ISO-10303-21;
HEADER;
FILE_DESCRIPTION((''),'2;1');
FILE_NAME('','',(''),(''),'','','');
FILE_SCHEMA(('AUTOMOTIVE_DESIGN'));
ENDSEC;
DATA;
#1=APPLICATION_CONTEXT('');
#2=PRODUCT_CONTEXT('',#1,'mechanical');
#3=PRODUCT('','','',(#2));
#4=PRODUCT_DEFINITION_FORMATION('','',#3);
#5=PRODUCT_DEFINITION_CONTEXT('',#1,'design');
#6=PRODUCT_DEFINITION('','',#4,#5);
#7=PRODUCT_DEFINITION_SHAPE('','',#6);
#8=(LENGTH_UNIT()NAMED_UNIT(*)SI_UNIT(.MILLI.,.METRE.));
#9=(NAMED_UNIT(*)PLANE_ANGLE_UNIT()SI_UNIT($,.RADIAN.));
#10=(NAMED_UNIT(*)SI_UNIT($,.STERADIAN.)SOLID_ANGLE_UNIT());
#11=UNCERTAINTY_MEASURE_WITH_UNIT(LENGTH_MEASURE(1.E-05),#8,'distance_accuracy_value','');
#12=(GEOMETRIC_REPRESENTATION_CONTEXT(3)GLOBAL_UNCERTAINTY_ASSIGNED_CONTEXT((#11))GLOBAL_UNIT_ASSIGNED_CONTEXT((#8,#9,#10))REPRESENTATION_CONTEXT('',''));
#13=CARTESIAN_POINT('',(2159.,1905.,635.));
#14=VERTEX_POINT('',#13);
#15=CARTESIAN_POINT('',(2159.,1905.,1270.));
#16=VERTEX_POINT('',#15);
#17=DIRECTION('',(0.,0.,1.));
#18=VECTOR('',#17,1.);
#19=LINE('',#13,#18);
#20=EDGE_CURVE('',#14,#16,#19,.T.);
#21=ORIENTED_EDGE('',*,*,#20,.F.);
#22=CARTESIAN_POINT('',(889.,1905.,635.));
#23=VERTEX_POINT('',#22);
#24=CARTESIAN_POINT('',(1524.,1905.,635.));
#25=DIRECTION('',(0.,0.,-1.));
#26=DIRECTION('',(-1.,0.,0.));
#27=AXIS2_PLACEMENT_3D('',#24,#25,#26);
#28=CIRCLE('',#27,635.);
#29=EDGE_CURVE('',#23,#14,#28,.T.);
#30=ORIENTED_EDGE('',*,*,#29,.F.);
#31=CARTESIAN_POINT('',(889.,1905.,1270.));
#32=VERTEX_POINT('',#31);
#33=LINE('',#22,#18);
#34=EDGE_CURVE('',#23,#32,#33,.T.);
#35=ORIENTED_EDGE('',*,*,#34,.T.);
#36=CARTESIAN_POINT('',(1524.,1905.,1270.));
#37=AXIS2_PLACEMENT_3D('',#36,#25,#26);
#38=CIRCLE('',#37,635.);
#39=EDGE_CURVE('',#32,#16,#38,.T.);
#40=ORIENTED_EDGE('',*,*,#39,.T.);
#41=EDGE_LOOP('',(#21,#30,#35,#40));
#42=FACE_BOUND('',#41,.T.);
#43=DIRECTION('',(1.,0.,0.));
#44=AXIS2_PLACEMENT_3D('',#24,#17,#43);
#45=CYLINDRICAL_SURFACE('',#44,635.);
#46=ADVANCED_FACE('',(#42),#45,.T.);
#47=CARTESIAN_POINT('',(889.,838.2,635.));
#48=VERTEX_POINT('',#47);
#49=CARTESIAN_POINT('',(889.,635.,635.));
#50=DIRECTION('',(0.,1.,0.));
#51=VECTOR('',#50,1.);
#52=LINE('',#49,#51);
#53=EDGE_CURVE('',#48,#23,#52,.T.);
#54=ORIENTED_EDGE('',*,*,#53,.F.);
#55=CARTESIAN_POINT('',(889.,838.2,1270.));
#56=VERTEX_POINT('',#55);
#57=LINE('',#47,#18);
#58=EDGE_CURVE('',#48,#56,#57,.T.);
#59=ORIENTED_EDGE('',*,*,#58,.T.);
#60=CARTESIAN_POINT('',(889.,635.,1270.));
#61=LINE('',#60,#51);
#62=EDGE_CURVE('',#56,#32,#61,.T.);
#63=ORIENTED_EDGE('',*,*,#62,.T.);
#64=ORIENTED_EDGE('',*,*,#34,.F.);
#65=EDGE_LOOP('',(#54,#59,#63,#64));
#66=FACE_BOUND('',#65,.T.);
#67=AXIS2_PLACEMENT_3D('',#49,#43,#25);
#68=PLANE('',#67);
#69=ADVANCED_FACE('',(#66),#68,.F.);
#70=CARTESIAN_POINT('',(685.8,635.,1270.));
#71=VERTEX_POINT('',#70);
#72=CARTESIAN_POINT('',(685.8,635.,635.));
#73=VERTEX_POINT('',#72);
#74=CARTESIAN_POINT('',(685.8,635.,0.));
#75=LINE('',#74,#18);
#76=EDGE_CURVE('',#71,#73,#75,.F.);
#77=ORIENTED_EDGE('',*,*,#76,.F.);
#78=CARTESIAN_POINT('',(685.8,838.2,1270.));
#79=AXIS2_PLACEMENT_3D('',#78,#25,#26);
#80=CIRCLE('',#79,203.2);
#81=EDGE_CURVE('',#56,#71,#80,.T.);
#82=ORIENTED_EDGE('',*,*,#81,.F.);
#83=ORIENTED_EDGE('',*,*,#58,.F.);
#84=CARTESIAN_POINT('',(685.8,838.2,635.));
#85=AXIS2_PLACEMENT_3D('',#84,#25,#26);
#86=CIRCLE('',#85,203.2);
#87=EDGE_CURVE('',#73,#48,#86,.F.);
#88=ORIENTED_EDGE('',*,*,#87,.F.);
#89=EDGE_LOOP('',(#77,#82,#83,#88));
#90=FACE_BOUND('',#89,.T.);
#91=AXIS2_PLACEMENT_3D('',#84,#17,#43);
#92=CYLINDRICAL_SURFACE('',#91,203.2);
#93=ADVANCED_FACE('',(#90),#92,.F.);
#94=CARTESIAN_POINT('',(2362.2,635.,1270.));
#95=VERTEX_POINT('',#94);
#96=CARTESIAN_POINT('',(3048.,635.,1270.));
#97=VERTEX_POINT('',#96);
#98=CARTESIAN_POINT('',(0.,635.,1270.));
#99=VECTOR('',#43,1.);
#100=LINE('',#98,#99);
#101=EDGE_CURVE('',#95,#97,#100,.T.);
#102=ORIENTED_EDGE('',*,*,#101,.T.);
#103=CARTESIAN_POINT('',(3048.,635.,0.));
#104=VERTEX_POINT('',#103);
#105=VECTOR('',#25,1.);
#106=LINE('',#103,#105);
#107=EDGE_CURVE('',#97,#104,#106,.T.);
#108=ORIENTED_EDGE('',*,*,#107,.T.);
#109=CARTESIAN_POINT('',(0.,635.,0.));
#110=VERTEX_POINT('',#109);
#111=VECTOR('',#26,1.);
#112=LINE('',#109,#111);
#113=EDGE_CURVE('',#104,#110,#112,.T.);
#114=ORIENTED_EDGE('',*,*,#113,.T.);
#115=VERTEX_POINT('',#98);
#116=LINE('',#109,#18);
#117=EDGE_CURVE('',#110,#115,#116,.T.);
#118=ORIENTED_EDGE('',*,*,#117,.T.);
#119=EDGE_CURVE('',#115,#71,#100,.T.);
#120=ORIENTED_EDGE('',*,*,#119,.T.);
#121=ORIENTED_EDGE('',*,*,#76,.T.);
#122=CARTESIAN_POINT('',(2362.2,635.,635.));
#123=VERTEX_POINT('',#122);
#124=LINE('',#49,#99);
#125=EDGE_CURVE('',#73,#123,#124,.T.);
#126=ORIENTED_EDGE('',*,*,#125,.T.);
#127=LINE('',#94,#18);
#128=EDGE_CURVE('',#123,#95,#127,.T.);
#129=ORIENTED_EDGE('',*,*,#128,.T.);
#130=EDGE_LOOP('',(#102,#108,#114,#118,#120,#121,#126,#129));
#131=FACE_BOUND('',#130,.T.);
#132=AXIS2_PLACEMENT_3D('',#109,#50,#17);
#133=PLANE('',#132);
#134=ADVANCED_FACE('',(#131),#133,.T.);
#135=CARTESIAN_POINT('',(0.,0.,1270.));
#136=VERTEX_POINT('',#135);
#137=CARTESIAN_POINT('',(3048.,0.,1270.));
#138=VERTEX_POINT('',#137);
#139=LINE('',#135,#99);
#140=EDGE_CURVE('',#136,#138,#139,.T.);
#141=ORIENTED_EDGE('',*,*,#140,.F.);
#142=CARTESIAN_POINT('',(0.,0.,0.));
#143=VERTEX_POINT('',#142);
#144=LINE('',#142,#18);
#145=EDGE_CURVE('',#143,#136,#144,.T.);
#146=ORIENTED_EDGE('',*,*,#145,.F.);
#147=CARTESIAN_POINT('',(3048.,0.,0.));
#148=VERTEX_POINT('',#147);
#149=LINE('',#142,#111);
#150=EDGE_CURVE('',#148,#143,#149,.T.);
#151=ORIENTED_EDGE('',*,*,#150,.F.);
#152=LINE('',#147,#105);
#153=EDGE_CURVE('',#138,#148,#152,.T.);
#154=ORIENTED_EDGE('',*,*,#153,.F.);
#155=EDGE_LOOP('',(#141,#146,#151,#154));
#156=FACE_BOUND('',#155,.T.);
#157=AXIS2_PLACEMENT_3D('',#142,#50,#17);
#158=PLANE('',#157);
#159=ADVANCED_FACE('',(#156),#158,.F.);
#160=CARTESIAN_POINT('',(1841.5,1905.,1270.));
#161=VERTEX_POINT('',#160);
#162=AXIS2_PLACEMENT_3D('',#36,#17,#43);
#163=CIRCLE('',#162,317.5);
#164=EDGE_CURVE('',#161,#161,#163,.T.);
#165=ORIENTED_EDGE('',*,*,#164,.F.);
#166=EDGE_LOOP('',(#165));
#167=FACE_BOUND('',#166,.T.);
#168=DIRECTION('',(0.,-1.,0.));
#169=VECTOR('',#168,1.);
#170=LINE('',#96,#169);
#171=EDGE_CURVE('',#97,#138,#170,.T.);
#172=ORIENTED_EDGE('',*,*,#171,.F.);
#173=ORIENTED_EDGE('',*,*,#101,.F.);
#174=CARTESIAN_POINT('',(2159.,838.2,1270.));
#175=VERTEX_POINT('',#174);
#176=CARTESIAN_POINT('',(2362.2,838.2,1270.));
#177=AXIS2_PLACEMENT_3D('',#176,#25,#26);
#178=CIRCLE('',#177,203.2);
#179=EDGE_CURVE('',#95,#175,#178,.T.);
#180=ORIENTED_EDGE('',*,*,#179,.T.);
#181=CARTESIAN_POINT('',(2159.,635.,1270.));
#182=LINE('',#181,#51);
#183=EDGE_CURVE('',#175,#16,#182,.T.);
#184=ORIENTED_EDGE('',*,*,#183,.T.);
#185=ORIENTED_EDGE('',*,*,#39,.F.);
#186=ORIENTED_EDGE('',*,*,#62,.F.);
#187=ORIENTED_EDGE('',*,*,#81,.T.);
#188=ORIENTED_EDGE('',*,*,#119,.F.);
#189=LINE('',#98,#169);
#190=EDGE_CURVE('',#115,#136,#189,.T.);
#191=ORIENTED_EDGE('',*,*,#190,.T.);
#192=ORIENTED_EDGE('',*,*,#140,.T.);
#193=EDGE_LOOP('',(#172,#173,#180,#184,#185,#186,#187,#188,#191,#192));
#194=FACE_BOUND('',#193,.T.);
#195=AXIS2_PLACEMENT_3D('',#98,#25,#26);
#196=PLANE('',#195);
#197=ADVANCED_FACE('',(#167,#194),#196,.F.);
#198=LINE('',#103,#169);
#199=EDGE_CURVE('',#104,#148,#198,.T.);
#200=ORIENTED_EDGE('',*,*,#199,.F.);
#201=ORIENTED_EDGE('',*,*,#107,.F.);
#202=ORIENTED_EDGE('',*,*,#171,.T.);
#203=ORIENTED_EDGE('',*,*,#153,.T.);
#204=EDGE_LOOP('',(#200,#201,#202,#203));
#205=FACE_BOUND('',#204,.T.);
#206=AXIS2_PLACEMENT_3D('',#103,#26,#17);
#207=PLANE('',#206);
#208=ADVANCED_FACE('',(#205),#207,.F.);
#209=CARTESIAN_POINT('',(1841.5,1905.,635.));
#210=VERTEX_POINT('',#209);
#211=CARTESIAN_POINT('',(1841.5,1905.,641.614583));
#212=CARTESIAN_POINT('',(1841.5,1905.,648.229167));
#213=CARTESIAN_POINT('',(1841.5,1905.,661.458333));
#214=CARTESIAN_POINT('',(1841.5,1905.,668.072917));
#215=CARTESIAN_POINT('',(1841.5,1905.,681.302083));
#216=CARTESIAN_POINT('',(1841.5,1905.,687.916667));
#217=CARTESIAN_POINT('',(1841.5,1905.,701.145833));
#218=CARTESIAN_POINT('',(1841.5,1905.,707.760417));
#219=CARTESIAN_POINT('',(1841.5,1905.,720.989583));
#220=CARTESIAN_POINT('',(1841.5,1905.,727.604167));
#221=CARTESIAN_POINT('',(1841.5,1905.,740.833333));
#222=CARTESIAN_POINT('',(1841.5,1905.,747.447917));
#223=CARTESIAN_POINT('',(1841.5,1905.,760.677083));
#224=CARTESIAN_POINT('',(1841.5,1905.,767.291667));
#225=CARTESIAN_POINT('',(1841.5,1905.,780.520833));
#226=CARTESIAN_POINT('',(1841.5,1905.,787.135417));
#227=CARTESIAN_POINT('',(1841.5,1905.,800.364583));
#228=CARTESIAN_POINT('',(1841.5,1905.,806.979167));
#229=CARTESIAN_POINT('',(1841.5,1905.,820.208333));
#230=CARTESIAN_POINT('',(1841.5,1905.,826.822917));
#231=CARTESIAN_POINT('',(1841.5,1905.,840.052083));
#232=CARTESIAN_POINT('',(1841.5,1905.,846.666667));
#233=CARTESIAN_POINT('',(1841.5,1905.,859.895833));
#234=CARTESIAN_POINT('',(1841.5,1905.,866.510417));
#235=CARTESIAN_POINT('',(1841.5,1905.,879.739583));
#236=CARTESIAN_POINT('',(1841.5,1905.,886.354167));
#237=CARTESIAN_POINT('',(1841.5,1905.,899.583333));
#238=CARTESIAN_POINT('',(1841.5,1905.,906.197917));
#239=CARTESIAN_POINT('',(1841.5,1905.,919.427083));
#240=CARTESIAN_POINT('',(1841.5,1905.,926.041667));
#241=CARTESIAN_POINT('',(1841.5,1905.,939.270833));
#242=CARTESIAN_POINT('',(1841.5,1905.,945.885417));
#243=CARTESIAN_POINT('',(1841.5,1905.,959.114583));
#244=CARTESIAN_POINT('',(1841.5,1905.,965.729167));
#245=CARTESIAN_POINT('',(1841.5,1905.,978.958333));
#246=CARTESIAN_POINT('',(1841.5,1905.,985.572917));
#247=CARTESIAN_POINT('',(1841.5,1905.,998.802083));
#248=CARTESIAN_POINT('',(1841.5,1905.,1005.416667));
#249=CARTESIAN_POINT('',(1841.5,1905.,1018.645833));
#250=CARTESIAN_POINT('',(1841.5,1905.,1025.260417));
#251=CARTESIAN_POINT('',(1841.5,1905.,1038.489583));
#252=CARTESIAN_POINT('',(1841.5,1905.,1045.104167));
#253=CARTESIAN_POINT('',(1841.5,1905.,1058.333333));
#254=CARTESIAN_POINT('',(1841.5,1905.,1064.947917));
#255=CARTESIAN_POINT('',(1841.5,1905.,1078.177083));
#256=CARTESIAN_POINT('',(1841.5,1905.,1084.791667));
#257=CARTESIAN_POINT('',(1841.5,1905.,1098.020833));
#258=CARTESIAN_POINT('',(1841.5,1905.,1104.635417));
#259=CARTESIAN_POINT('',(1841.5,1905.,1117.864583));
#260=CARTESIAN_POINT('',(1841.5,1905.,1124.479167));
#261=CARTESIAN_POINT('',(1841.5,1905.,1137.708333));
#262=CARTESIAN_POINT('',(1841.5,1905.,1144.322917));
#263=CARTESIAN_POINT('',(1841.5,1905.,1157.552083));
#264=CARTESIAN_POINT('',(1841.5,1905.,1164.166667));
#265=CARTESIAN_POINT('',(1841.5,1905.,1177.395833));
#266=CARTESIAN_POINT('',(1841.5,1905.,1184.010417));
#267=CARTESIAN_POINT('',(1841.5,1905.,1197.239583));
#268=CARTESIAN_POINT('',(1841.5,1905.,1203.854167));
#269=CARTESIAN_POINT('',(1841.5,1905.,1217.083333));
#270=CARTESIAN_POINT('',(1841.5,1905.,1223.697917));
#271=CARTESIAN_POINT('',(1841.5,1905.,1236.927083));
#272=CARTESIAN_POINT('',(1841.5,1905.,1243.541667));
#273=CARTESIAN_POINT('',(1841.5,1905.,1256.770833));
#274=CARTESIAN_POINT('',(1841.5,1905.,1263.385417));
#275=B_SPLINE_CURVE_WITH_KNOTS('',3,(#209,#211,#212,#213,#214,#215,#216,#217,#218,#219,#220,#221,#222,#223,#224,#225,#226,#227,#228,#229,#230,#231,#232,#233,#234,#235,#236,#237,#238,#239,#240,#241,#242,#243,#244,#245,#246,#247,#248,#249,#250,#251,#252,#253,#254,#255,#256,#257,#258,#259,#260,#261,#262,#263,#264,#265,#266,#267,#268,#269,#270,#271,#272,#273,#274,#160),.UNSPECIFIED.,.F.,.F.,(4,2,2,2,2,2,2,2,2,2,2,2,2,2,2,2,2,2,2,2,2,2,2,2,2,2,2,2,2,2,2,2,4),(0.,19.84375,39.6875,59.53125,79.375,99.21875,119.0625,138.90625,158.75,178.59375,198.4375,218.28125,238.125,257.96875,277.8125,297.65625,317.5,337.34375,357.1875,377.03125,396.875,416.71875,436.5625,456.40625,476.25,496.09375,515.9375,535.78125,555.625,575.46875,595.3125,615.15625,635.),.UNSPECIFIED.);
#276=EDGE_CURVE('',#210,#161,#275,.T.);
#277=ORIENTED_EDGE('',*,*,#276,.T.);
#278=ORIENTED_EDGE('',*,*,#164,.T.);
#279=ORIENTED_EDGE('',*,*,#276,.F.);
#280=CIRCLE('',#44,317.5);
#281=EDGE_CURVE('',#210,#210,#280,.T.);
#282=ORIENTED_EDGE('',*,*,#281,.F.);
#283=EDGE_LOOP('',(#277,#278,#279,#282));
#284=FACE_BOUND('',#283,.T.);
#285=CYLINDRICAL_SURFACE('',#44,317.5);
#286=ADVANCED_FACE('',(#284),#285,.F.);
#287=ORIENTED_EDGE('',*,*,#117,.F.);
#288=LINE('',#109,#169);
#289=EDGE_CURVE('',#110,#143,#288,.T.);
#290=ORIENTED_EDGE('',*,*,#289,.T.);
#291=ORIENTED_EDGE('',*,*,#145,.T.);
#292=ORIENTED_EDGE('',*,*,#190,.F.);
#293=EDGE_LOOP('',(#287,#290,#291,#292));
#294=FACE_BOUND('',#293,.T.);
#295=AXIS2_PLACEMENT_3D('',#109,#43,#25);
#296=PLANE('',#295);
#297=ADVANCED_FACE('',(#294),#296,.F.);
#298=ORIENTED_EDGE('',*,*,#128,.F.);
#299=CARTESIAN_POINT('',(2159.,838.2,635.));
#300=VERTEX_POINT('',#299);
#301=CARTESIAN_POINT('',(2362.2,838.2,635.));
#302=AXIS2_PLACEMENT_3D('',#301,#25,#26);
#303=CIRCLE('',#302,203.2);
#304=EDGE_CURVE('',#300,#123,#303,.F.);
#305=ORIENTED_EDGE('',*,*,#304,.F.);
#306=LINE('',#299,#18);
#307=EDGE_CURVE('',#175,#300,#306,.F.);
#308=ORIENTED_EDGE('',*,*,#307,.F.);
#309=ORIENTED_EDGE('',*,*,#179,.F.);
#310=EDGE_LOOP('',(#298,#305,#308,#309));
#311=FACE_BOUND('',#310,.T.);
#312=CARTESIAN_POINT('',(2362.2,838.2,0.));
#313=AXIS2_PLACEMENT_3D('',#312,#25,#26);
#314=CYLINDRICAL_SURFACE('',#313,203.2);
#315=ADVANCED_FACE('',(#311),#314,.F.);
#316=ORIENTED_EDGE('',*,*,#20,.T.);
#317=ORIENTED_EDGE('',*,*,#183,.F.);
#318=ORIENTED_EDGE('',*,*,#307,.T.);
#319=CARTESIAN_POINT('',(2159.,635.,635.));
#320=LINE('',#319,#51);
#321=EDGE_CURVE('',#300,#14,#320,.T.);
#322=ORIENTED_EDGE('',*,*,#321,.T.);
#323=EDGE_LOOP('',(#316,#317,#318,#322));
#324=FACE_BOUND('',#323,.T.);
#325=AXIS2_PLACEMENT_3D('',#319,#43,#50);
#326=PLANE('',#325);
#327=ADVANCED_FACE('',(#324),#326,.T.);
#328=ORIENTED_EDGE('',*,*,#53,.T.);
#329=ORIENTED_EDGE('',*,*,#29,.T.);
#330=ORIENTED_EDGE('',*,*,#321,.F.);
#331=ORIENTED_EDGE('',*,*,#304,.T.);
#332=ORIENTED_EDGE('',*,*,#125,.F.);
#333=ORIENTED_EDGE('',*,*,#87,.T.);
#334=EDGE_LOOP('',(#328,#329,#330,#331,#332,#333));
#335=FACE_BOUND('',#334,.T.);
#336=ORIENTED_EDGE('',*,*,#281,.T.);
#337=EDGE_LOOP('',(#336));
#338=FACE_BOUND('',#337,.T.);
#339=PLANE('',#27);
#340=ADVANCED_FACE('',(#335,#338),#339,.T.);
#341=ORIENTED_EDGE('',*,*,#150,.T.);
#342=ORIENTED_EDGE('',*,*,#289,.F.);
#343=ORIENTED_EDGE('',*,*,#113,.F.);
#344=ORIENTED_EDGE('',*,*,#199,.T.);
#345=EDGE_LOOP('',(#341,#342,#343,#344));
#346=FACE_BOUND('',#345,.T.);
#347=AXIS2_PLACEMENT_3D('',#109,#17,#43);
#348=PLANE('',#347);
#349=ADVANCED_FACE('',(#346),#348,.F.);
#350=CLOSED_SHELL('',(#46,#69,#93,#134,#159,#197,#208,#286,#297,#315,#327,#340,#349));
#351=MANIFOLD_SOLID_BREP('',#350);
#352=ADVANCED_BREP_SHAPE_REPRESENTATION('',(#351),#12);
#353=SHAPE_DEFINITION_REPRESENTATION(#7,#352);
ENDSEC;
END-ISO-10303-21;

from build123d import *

# Parameters (mm, degrees)
RECTANGLE_SKETCH_W           = 3048
RECTANGLE_SKETCH_H           = 1270
RECTANGLEEXTRUDE_DEPTH       = 635
CURVEDRECTANGLESKETCH_R      = 317.5
CURVEDRECTANGLEEXTRUDE_DEPTH = 635
CURVEDRECTANGLEFILLET_R      = 203.2


with BuildPart() as part:
    # Rectangle Sketch → RectangleExtrude (new body)
    with BuildSketch(Plane(origin=(0, 0, 0), x_dir=(1, 0, 0), z_dir=(0, 1, 0))):
        with Locations((1524, -635)):
            Rectangle(RECTANGLE_SKETCH_W, RECTANGLE_SKETCH_H)
    extrude(amount=RECTANGLEEXTRUDE_DEPTH)

    # CurvedRectangleSketch → CurvedRectangleExtrude (add)
    with BuildSketch(Plane.XY.offset(1270)):
        with BuildLine():
            Line((889, 635), (889, 1905))
            ThreePointArc((889, 1905), (1524, 2540), (2159, 1905))
            Line((2159, 1905), (2159, 635))
            Line((2159, 635), (889, 635))
        make_face()
        with Locations((1524, 1905)):
            Circle(CURVEDRECTANGLESKETCH_R, mode=Mode.SUBTRACT)
    extrude(amount=-CURVEDRECTANGLEEXTRUDE_DEPTH)

    # CurvedRectangleFillet
    curvedrectanglefillet_edges = [part.edges().sort_by_distance(p)[0] for p in [
        (889, 635, 952.5),
        (2159, 635, 952.5),
    ]]
    fillet(curvedrectanglefillet_edges, radius=CURVEDRECTANGLEFILLET_R)


solid = part.part
